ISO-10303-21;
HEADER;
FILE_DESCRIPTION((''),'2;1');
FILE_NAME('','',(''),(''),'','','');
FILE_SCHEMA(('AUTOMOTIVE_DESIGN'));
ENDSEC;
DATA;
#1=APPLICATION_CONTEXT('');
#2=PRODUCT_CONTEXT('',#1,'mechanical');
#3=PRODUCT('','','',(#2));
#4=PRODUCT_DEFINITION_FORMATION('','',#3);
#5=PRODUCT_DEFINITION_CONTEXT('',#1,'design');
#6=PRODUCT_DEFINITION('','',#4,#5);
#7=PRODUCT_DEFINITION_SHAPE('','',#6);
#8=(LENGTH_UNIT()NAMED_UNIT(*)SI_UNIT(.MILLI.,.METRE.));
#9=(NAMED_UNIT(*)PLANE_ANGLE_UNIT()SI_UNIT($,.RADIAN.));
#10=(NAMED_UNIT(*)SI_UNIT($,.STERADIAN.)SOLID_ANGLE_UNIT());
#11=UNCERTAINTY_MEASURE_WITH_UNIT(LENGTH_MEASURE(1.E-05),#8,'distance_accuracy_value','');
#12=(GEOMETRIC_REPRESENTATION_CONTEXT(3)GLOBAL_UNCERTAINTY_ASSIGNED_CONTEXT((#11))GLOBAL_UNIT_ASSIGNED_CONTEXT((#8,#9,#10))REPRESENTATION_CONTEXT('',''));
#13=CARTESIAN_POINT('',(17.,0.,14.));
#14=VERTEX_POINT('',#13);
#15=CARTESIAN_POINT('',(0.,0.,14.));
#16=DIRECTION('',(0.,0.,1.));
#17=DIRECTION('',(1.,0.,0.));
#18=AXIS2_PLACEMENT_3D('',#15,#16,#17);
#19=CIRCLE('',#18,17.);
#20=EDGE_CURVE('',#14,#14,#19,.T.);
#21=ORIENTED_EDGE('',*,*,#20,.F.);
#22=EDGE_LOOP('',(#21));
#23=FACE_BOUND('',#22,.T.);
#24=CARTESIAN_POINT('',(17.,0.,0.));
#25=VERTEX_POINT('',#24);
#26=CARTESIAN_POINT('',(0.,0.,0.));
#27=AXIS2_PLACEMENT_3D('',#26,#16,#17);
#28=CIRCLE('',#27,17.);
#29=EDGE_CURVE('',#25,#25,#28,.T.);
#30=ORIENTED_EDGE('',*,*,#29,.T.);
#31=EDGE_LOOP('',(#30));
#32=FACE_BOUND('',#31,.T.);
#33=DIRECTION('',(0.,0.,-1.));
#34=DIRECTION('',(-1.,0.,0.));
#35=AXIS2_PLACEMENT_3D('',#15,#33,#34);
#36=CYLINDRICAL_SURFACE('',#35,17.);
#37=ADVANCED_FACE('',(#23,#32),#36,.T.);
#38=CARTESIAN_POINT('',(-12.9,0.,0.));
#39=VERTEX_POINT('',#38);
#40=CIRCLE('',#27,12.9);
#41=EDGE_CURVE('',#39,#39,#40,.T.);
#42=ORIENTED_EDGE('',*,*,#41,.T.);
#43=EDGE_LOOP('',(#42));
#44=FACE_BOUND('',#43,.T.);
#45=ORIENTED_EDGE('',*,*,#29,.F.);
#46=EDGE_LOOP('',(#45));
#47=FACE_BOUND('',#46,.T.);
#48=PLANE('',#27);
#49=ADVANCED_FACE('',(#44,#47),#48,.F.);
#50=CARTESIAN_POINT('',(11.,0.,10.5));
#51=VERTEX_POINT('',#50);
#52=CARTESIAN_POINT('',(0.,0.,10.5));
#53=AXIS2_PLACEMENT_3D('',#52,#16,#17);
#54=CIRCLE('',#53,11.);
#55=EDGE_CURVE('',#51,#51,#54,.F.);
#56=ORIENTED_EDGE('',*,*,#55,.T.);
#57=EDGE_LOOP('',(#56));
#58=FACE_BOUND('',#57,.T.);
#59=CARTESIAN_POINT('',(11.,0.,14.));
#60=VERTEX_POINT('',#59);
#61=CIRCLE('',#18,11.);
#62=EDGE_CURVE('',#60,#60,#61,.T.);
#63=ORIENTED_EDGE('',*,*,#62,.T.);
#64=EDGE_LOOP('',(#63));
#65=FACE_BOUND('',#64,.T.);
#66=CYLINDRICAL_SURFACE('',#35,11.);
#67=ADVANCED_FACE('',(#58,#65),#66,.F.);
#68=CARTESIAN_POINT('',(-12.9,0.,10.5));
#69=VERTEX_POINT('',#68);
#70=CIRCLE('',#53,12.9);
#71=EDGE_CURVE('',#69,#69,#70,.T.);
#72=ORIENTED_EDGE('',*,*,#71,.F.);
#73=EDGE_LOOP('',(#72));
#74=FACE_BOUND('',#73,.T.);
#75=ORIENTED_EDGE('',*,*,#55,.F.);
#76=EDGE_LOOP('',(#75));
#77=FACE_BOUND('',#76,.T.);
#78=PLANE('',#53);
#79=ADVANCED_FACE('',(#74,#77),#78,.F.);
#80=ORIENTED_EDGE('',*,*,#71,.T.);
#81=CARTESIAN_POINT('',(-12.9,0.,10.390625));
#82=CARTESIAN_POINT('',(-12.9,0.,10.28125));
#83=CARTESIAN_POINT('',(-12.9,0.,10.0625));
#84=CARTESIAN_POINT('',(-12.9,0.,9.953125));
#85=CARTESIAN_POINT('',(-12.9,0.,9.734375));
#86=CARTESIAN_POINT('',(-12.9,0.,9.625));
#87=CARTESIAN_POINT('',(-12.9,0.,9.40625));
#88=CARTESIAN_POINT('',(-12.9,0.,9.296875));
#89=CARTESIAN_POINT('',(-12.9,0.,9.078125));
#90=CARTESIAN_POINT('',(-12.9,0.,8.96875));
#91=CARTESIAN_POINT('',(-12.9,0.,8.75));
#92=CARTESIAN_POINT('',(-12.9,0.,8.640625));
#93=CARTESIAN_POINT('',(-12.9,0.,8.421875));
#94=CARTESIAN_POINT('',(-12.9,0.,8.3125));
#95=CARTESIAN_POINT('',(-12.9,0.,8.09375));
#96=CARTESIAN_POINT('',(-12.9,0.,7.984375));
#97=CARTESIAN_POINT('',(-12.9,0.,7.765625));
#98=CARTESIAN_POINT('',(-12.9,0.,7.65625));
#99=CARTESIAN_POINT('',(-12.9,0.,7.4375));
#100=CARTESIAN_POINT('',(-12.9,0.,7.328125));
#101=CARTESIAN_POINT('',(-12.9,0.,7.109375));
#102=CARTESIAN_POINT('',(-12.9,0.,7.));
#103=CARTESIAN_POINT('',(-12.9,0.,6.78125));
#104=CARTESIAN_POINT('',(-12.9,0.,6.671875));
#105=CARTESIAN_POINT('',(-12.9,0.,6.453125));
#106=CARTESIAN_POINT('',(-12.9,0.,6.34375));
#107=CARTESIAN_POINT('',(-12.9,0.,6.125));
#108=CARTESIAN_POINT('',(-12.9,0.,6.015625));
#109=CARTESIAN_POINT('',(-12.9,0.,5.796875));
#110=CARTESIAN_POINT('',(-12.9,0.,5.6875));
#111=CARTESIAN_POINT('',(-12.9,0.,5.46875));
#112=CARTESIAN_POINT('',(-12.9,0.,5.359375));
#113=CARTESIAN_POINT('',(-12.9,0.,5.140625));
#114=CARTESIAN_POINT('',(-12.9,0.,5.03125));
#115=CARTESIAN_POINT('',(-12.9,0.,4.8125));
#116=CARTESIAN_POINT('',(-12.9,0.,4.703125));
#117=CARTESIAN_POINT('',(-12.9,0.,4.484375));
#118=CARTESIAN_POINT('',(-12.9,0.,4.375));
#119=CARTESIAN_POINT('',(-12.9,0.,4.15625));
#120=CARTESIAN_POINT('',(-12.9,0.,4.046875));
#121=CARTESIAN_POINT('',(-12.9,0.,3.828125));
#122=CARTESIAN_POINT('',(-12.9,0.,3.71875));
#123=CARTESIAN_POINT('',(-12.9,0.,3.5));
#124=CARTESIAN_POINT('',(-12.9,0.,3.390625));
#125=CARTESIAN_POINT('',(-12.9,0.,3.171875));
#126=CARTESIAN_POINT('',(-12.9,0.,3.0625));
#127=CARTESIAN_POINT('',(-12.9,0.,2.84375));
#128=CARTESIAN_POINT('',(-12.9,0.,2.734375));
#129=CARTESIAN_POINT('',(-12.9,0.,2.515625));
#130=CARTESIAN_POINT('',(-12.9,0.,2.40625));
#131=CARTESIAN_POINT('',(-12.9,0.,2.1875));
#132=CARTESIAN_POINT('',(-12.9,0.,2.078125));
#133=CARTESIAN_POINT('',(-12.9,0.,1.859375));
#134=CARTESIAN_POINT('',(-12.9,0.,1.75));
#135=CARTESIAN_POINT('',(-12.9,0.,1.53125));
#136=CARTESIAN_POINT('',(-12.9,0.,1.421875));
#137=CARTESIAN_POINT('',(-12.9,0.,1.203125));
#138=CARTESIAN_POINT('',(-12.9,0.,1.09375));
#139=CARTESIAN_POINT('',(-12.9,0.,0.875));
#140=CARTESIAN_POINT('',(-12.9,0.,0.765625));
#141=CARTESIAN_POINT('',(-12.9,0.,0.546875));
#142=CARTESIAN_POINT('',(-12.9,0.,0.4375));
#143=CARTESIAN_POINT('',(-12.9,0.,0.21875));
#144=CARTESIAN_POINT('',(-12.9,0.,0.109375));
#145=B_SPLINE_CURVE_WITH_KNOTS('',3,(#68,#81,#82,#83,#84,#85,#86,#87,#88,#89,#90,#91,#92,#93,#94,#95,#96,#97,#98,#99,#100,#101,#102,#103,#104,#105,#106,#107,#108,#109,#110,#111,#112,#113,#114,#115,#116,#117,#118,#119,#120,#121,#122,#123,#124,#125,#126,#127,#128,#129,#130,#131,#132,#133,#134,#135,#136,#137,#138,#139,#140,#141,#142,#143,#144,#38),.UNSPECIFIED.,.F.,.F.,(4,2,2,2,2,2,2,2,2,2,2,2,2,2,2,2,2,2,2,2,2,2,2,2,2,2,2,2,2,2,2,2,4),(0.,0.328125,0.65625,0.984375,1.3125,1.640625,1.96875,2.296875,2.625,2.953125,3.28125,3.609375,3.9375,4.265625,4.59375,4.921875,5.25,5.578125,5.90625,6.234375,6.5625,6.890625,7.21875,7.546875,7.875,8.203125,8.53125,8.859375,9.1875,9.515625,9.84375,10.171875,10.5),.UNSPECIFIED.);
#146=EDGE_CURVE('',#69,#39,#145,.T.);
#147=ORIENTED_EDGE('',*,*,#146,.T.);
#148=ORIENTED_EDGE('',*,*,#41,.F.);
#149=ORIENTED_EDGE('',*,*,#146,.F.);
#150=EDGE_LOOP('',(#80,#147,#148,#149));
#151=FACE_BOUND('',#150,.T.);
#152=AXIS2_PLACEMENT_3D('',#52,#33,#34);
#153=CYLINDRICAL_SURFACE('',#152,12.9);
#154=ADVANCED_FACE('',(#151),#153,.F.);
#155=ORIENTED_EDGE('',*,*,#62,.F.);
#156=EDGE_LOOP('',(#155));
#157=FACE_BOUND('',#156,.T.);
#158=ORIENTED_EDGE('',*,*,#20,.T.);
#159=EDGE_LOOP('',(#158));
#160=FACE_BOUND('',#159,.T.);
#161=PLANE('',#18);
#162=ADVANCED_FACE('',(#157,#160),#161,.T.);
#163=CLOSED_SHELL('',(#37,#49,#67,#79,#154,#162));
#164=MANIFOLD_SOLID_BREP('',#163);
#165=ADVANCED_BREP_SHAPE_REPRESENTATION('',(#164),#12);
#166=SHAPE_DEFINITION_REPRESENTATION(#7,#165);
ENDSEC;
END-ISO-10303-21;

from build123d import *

# Parameters (mm, degrees)
SKETCH1_R           = 17
BOSS_EXTRUDE1_DEPTH = 14
SKETCH2_R           = 12.9
CUT_EXTRUDE1_DEPTH  = 10.5
SKETCH3_R           = 11
CUT_EXTRUDE3_DEPTH  = 28.820855486


with BuildPart() as part:
    # Sketch1 → Boss-Extrude1 (new body)
    with BuildSketch(Plane.XY):
        Circle(SKETCH1_R)
    extrude(amount=BOSS_EXTRUDE1_DEPTH)

    # Sketch2 → Cut-Extrude1 (cut)
    with BuildSketch(Plane.XY):
        with Locations(Location((0, 0, 0), (0, 0, 180))):
            Circle(SKETCH2_R)
    extrude(amount=CUT_EXTRUDE1_DEPTH, mode=Mode.SUBTRACT)

    # Sketch3 → Cut-Extrude3 (cut, through all)
    with BuildSketch(Plane.XY):
        Circle(SKETCH3_R)
    extrude(amount=CUT_EXTRUDE3_DEPTH, mode=Mode.SUBTRACT)


solid = part.part
